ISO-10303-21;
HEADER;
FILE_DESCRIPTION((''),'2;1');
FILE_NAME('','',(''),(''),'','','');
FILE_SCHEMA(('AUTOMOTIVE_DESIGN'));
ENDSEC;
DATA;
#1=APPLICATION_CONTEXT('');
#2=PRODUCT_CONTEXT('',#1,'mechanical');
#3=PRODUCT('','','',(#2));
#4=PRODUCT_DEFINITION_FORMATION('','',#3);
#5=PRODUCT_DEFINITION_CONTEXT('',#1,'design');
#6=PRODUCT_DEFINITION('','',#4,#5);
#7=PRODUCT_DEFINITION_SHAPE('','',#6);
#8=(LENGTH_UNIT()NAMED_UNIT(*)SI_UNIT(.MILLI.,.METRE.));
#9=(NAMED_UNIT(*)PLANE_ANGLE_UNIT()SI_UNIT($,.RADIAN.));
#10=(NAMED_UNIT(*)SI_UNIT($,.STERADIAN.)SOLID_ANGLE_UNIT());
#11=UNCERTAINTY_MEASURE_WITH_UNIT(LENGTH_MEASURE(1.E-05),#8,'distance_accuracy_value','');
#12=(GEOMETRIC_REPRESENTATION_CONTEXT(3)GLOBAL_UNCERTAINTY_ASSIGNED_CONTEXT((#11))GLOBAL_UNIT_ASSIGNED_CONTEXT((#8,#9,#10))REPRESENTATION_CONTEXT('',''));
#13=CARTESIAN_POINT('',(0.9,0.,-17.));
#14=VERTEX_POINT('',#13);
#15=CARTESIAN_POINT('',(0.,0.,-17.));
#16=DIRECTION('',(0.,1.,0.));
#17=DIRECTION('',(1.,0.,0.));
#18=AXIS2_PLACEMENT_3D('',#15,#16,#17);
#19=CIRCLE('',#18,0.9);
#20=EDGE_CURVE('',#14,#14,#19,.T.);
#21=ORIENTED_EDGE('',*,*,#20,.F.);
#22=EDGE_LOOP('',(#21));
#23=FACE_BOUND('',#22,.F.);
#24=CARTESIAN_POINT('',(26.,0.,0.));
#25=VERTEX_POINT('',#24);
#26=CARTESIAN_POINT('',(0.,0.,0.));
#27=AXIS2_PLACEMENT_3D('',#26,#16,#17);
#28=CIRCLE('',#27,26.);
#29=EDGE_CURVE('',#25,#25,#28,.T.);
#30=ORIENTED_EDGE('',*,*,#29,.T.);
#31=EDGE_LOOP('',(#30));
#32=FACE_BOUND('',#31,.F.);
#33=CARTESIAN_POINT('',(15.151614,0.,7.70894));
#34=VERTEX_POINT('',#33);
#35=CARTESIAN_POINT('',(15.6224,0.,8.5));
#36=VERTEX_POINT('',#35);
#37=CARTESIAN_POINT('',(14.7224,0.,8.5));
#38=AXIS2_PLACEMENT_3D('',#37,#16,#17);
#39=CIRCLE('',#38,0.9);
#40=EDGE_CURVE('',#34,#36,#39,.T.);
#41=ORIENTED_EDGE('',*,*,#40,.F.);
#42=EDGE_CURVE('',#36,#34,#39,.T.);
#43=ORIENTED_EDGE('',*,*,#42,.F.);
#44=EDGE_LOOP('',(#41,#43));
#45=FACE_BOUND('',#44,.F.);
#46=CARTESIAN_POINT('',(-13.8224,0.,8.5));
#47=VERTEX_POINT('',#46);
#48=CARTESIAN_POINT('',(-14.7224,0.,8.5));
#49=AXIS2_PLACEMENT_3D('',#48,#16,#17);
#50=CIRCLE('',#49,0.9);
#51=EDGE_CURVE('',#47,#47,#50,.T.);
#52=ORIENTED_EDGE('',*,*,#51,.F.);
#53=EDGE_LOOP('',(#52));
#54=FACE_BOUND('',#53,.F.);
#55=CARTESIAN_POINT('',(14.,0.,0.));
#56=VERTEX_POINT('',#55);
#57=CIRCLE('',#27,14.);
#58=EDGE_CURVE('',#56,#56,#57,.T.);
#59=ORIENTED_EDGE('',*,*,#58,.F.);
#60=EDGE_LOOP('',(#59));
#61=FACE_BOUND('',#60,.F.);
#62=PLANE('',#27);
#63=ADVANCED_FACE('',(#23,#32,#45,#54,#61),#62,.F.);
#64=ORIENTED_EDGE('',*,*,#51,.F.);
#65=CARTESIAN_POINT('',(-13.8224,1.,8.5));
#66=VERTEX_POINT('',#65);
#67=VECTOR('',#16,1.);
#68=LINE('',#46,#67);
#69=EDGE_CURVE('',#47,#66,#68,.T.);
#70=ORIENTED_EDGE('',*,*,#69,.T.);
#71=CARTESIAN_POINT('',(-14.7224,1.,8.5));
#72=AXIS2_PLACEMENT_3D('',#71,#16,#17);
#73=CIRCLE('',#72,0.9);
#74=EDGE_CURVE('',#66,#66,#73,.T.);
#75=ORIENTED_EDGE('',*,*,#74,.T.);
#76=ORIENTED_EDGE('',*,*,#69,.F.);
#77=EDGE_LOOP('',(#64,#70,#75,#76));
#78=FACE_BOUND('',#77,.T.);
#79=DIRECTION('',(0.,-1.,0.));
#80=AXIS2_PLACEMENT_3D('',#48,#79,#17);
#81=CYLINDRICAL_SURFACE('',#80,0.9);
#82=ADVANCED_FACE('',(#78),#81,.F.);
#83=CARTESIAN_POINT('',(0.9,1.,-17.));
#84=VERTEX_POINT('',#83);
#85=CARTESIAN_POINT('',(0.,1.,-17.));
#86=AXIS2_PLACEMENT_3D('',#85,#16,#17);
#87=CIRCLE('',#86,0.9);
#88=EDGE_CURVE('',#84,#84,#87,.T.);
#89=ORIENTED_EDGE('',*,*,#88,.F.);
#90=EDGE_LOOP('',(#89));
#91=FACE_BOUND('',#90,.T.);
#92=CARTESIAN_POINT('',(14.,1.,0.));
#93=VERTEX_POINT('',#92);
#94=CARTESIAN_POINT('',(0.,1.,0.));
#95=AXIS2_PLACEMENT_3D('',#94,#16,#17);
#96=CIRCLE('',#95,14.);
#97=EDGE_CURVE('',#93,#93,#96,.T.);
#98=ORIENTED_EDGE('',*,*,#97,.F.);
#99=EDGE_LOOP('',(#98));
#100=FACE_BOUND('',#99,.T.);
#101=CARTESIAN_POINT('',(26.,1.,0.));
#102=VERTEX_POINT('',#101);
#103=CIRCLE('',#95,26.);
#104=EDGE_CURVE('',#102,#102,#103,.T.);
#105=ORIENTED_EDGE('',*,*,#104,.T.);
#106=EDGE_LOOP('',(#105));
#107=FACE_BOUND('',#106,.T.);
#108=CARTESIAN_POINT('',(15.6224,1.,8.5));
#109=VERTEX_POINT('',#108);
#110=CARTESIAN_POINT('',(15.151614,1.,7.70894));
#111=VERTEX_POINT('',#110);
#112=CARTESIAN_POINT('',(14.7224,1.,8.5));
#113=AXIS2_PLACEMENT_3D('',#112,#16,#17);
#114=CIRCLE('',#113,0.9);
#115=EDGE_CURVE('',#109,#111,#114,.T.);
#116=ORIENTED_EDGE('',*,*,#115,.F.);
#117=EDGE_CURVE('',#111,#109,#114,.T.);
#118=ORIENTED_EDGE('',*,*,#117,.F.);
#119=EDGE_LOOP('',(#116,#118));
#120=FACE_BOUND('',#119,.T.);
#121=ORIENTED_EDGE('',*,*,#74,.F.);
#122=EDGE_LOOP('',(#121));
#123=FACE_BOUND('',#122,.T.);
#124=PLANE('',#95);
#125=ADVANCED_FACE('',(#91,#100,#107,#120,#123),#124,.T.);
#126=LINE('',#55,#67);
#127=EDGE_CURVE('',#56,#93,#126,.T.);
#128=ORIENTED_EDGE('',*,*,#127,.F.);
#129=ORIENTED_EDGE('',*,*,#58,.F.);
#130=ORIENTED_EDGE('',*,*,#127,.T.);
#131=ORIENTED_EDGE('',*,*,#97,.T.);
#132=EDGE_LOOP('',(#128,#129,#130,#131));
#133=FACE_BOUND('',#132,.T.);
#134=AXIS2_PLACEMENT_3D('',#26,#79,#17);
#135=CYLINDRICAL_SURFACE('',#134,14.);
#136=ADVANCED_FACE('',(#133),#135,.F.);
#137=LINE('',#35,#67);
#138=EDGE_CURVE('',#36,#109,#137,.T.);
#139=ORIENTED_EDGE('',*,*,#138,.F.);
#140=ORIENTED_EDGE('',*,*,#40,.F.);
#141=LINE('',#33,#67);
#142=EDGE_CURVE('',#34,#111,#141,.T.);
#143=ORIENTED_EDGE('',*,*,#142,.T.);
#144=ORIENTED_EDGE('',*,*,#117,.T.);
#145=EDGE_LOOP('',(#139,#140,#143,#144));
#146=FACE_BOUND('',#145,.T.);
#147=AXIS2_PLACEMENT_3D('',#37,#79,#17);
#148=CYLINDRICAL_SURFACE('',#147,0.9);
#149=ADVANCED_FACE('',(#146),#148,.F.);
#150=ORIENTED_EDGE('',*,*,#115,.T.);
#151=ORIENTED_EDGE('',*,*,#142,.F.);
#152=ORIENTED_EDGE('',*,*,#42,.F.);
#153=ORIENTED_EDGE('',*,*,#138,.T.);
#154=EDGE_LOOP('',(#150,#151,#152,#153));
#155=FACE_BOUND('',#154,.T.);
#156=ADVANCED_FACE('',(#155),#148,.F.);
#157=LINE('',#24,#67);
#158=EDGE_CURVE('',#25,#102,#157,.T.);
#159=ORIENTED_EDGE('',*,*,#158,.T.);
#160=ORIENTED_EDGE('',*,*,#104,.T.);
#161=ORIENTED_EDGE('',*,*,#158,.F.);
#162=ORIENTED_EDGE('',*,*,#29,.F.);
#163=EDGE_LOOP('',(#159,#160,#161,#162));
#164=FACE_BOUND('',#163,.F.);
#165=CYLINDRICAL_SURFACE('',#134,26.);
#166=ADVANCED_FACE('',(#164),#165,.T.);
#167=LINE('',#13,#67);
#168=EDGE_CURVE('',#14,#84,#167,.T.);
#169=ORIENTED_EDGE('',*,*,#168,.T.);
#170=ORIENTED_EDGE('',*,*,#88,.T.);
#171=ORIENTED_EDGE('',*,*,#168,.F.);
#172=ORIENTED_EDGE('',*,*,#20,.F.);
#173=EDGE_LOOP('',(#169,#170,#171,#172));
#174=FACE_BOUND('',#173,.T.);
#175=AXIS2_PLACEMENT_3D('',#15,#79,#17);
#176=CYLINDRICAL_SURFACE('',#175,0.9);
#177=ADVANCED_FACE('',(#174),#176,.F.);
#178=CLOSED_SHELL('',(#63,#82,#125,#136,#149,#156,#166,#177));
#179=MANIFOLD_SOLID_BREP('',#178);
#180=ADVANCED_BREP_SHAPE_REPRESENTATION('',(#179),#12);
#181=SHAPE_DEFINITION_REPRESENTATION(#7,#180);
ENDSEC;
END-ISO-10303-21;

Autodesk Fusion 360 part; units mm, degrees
sketch "Sketch1" plane through (0, 0, 0) normal (0, 1, 0) x (1, 0, 0)
  circle A0 centre (0, 0) radius 14
  circle A1 centre (0, 0) radius 17 construction
  circle A2 centre (0, 0) radius 26
  arc A3 (14.7224, -8.5) -> (17, 0) centre (0, 0) ccw
  line L0 (0, 0) -> (14.7224, -8.5) construction
  line L1 (0, 0) -> (17, 0) construction
  circle A4 centre (14.7224, -8.5) radius 0.9
  circle A5 centre (0, 17) radius 0.9
  circle A6 centre (-14.7224, -8.5) radius 0.9
  dimension "d1" = 28
  dimension "d2" = 34
  dimension "d3" = 52
  dimension "d4" = 30
  dimension "d5" = 1.8
  dimension "d7" = 360
extrude "Extrude1" add sketch "Sketch1" along normal blind 1
